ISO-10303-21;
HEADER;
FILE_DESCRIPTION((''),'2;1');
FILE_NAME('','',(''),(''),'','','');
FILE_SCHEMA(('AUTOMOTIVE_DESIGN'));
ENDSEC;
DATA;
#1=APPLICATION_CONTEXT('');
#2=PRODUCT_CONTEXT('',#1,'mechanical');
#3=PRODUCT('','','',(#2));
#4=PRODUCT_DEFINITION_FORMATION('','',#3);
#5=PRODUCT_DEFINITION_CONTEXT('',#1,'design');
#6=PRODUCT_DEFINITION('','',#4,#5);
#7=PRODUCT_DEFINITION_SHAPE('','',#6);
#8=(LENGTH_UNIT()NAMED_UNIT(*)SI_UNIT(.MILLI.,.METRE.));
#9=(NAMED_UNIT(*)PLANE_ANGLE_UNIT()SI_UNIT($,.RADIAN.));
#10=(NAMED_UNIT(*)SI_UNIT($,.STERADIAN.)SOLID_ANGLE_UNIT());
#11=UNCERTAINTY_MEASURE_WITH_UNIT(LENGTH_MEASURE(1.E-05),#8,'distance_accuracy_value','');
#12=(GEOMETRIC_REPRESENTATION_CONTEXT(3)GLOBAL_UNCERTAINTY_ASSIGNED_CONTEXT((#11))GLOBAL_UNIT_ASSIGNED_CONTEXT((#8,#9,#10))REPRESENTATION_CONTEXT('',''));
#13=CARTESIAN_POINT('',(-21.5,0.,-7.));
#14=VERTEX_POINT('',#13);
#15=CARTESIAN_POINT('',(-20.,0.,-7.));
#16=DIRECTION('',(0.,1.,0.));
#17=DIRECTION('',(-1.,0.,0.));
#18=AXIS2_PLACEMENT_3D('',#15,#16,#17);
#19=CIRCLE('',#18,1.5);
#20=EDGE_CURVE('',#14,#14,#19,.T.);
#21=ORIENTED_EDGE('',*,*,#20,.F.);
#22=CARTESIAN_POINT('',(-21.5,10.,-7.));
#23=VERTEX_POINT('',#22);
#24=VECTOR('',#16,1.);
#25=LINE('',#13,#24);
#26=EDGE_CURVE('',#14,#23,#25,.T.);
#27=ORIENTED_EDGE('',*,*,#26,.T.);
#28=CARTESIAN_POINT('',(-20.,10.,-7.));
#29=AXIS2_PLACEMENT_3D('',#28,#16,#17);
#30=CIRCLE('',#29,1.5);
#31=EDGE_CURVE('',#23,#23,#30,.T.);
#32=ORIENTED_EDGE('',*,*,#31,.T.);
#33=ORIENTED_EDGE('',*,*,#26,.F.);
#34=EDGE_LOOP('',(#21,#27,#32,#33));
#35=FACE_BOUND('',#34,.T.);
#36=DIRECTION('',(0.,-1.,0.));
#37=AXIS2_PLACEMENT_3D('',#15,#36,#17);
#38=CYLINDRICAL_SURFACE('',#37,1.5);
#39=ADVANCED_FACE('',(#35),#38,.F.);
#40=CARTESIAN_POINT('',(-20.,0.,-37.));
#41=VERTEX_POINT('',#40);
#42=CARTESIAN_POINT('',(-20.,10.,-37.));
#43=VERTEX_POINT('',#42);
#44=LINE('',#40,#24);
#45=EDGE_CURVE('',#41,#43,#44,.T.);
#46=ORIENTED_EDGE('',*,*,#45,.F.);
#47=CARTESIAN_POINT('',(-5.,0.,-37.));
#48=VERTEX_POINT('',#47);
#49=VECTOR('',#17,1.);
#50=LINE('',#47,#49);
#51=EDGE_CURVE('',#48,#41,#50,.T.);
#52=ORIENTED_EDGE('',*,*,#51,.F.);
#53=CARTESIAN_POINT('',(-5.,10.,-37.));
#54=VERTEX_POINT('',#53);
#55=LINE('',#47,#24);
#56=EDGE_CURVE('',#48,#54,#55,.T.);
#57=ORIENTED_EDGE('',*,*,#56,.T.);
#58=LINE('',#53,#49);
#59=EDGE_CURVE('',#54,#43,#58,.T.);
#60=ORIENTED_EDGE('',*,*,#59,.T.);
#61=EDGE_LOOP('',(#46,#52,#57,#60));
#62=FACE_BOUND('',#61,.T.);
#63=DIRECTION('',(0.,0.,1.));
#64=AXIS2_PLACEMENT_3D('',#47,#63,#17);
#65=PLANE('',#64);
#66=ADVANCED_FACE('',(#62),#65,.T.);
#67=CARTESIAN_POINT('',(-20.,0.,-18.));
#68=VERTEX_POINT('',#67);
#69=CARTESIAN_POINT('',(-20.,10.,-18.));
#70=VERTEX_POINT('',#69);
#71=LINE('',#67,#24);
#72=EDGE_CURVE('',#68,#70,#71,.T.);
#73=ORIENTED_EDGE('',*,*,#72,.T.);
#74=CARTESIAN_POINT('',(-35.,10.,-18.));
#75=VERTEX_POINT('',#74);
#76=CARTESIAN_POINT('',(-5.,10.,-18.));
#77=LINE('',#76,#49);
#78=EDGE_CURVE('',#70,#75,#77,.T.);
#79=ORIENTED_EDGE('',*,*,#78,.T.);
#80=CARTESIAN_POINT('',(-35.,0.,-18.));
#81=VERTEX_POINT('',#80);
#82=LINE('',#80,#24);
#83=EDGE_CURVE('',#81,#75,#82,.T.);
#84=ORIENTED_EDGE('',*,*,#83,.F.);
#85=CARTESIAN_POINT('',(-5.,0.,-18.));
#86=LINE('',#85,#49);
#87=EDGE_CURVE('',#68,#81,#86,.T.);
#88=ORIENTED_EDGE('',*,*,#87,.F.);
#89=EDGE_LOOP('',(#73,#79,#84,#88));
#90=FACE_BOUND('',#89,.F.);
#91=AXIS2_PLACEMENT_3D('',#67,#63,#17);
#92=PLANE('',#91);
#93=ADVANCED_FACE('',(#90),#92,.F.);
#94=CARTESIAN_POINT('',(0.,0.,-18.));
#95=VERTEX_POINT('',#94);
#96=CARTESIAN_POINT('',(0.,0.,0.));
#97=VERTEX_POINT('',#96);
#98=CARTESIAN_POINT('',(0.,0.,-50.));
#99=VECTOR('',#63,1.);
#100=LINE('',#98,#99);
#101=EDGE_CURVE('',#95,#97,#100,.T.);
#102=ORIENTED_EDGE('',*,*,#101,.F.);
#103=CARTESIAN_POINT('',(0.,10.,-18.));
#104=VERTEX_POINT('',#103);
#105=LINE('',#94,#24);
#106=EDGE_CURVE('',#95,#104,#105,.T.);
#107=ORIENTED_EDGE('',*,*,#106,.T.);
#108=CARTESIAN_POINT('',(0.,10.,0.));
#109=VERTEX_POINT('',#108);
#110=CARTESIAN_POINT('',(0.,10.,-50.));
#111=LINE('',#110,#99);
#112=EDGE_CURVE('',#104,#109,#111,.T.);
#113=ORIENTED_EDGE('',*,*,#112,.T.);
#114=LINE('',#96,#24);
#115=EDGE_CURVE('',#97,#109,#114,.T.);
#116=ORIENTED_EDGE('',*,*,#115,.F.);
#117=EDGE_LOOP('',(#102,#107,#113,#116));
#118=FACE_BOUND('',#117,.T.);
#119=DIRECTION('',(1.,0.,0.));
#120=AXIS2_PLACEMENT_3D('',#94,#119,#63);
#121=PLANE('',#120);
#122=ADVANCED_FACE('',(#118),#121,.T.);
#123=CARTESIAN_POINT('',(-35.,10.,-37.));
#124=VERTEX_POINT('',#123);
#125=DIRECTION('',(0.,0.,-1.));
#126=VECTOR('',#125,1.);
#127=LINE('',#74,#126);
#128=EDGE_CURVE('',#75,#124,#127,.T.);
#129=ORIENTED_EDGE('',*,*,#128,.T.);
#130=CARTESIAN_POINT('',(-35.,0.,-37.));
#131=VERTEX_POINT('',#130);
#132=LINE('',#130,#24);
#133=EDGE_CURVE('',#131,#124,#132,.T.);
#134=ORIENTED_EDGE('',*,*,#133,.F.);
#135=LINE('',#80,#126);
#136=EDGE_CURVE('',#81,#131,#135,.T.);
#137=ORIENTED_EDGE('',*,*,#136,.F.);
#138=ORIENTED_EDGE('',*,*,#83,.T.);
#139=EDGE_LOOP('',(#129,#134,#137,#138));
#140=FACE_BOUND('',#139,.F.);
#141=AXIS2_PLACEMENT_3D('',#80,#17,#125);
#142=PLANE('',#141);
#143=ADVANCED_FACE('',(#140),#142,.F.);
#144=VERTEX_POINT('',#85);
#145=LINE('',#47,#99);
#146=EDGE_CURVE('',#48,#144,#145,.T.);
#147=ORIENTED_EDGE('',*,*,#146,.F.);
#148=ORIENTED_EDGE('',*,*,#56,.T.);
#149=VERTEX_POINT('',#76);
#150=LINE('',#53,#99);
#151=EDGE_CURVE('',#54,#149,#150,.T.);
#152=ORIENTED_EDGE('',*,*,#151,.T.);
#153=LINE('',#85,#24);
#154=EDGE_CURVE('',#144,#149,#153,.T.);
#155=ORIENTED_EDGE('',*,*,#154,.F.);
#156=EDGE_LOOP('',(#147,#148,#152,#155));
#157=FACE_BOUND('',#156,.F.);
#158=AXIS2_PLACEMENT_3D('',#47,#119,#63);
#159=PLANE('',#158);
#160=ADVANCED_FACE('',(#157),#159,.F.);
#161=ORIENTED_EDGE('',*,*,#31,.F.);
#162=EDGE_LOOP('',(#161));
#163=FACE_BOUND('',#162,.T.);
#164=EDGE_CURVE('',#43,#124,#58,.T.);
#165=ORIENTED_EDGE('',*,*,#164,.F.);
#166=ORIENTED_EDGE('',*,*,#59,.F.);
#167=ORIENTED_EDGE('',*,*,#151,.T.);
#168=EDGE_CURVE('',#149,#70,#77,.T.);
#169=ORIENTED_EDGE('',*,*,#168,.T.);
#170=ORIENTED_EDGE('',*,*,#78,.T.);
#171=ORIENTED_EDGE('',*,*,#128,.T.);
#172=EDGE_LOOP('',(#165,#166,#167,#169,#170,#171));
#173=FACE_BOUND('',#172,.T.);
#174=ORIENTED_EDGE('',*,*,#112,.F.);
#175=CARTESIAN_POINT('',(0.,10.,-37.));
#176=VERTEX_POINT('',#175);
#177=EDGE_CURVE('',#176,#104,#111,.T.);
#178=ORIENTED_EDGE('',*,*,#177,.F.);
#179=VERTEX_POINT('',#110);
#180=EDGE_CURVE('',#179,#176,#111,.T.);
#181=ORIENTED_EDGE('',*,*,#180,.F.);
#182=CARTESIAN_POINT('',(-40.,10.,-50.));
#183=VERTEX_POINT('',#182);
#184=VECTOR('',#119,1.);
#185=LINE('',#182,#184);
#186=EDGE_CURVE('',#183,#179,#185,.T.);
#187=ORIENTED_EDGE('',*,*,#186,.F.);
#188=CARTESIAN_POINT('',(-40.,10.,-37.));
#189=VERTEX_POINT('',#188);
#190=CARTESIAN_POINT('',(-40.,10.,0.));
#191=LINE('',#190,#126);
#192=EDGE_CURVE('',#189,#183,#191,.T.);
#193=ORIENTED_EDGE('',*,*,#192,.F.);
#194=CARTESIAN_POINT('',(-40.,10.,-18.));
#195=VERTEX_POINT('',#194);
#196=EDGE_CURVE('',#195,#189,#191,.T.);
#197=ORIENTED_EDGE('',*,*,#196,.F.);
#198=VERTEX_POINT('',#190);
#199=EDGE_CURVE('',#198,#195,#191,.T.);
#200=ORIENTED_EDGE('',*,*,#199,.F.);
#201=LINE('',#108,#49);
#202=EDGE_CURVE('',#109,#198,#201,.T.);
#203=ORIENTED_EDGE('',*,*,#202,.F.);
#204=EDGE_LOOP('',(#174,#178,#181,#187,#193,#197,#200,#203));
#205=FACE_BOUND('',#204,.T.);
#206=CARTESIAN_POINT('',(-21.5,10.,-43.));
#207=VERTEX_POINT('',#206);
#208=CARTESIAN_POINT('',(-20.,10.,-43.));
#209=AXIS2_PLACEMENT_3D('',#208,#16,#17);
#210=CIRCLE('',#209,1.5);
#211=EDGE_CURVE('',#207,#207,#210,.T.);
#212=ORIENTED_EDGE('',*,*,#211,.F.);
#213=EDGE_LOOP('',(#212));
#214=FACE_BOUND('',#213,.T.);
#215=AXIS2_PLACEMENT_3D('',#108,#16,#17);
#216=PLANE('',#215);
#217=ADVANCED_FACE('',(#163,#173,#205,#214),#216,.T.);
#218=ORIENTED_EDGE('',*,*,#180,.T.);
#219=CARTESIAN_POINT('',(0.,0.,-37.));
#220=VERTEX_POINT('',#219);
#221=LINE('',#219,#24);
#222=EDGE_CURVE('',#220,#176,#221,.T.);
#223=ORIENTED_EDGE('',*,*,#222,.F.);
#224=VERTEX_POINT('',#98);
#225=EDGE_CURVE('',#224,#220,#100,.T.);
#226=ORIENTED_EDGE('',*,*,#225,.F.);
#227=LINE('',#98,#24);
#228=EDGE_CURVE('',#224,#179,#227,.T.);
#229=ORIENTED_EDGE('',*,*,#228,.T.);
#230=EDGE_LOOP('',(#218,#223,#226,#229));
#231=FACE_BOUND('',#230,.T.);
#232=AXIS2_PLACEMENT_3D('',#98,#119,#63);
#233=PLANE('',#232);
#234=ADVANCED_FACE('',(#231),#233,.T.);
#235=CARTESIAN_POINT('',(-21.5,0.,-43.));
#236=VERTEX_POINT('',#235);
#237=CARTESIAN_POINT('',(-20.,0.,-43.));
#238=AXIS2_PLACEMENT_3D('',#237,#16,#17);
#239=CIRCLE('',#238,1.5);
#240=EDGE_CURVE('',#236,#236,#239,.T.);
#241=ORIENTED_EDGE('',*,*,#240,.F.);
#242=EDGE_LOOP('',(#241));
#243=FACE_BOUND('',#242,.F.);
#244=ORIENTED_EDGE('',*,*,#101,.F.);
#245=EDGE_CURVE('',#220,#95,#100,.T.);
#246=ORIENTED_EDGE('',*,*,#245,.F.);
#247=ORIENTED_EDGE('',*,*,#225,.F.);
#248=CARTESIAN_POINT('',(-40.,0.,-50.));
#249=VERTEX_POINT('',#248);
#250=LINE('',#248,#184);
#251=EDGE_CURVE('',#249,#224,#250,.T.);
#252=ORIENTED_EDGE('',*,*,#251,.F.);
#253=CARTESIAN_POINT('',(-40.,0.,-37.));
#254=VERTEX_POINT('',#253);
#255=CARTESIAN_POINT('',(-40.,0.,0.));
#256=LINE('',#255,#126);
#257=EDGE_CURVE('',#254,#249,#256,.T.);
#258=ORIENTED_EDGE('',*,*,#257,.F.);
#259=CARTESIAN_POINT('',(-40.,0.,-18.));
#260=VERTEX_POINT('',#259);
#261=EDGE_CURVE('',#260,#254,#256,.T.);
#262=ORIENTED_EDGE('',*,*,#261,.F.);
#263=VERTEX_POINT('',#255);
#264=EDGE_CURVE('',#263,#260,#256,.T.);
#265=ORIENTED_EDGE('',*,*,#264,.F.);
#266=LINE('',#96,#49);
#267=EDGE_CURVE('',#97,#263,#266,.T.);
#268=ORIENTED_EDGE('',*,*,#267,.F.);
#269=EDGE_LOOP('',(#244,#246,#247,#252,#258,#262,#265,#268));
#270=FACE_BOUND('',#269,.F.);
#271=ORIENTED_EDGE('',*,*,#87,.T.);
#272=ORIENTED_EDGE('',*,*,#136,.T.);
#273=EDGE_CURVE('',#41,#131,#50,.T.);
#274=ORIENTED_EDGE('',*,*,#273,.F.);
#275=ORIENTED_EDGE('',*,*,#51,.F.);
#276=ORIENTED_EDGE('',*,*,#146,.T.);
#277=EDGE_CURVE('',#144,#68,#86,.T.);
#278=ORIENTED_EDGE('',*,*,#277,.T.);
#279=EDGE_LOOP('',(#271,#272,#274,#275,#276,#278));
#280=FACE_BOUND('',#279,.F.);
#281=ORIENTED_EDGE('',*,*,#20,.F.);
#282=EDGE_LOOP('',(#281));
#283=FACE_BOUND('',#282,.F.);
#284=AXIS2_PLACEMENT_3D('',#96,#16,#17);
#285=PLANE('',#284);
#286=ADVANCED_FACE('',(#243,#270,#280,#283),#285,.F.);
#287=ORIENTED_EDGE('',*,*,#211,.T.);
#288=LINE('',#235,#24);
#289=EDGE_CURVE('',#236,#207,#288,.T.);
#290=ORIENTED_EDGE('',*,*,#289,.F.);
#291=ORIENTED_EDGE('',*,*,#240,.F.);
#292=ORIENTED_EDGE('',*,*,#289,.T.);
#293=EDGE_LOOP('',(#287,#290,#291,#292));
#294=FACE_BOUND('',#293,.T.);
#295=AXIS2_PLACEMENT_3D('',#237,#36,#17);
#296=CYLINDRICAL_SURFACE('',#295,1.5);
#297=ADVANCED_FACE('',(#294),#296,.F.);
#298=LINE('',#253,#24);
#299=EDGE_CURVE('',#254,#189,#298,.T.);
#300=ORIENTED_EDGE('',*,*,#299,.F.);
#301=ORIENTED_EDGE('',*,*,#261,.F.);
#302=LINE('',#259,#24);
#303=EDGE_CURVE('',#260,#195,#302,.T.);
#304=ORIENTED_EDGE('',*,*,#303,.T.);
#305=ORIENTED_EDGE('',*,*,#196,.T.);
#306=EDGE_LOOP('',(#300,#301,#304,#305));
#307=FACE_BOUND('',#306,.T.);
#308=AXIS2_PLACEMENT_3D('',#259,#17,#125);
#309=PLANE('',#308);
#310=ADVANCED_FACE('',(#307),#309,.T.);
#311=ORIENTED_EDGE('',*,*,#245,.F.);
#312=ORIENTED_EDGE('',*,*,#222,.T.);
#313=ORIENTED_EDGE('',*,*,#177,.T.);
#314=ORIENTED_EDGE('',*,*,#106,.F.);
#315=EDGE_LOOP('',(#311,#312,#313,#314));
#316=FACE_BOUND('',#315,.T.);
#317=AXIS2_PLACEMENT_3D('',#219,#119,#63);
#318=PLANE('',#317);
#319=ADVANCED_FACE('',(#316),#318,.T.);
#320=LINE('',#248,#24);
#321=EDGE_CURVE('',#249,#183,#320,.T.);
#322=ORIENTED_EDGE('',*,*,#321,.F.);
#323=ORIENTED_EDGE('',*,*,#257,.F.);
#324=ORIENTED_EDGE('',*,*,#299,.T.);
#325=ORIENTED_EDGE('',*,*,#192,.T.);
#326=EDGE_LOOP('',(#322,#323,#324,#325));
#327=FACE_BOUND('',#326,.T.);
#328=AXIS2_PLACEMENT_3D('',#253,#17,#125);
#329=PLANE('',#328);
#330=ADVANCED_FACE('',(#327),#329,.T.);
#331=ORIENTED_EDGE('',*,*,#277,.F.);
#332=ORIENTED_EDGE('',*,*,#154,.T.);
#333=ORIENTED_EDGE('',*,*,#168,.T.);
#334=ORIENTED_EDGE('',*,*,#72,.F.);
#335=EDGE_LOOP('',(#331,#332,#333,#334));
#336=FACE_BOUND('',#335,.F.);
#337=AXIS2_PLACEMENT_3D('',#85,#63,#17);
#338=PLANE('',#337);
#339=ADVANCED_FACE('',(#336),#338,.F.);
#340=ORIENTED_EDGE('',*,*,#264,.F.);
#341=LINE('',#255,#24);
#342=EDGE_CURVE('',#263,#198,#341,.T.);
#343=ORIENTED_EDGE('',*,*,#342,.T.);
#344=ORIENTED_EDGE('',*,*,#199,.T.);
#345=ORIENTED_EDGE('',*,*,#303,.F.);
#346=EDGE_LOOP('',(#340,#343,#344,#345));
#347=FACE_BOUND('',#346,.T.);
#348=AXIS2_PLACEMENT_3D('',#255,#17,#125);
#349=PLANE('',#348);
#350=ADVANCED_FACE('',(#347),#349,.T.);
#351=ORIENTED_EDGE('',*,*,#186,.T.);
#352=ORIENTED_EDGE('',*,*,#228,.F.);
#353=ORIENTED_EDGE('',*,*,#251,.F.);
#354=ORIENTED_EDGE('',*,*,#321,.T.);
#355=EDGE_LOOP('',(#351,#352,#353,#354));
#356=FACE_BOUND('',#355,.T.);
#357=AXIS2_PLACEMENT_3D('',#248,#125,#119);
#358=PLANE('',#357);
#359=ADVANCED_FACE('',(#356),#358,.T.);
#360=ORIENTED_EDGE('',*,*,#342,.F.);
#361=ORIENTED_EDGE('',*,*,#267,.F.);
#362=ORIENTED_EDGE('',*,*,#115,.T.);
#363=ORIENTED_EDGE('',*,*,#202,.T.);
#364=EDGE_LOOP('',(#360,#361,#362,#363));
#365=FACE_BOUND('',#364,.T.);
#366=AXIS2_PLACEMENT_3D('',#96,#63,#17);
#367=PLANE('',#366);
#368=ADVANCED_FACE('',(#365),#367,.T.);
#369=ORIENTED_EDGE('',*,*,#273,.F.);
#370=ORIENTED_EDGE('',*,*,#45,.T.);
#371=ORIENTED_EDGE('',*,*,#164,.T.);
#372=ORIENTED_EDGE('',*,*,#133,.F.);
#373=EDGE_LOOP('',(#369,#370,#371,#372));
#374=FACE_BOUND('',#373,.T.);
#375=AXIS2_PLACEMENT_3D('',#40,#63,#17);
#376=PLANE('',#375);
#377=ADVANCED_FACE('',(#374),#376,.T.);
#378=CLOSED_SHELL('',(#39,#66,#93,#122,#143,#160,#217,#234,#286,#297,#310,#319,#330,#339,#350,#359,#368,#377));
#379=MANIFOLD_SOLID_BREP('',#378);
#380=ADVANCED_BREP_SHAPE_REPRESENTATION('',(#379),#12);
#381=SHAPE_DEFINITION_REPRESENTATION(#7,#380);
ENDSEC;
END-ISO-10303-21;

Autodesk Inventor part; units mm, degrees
ref_plane "YZ Plane" through (0, 0, 0) normal (1, 0, 0) x (0, 1, 0)
ref_plane "XZ Plane" through (0, 0, 0) normal (0, 1, 0) x (-1, 0, 0)
ref_plane "XY Plane" through (0, 0, 0) normal (0, 0, 1) x (1, 0, 0)
sketch "Sketch1" plane through (0, 0, 0) normal (0, 1, 0) x (-1, 0, 0)
  line L0 (0, 0) -> (40, 0)
  line L1 (40, 0) -> (40, -50)
  line L2 (40, -50) -> (0, -50)
  line L3 (0, -50) -> (0, 0)
  line L4 (40, 0) -> (0, 0)
  line L5 (0, 0) -> (0, -18)
  line L6 (5, -18) -> (35, -18)
  line L7 (40, -18) -> (40, 0)
  line L8 (35, -18) -> (5, -18)
  line L9 (0, -18) -> (0, -37)
  line L10 (5, -37) -> (35, -37)
  line L11 (40, -37) -> (40, -18)
  circle A0 centre (20, -7) radius 1.5
  circle A1 centre (20, -43) radius 1.5
  line L12 (20, -18) -> (35, -18)
  line L13 (35, -18) -> (35, -37)
  line L14 (35, -37) -> (20, -37)
  line L15 (20, -37) -> (5, -37)
  line L16 (5, -37) -> (5, -18)
  line L17 (5, -18) -> (20, -18)
  dimension "d0" = 40
  dimension "d1" = 50
  dimension "d2" = 3
  dimension "d3" = 3
extrude "Extrusion1" add sketch "Sketch1" along normal blind 10
properties part number "_3DPrint"
